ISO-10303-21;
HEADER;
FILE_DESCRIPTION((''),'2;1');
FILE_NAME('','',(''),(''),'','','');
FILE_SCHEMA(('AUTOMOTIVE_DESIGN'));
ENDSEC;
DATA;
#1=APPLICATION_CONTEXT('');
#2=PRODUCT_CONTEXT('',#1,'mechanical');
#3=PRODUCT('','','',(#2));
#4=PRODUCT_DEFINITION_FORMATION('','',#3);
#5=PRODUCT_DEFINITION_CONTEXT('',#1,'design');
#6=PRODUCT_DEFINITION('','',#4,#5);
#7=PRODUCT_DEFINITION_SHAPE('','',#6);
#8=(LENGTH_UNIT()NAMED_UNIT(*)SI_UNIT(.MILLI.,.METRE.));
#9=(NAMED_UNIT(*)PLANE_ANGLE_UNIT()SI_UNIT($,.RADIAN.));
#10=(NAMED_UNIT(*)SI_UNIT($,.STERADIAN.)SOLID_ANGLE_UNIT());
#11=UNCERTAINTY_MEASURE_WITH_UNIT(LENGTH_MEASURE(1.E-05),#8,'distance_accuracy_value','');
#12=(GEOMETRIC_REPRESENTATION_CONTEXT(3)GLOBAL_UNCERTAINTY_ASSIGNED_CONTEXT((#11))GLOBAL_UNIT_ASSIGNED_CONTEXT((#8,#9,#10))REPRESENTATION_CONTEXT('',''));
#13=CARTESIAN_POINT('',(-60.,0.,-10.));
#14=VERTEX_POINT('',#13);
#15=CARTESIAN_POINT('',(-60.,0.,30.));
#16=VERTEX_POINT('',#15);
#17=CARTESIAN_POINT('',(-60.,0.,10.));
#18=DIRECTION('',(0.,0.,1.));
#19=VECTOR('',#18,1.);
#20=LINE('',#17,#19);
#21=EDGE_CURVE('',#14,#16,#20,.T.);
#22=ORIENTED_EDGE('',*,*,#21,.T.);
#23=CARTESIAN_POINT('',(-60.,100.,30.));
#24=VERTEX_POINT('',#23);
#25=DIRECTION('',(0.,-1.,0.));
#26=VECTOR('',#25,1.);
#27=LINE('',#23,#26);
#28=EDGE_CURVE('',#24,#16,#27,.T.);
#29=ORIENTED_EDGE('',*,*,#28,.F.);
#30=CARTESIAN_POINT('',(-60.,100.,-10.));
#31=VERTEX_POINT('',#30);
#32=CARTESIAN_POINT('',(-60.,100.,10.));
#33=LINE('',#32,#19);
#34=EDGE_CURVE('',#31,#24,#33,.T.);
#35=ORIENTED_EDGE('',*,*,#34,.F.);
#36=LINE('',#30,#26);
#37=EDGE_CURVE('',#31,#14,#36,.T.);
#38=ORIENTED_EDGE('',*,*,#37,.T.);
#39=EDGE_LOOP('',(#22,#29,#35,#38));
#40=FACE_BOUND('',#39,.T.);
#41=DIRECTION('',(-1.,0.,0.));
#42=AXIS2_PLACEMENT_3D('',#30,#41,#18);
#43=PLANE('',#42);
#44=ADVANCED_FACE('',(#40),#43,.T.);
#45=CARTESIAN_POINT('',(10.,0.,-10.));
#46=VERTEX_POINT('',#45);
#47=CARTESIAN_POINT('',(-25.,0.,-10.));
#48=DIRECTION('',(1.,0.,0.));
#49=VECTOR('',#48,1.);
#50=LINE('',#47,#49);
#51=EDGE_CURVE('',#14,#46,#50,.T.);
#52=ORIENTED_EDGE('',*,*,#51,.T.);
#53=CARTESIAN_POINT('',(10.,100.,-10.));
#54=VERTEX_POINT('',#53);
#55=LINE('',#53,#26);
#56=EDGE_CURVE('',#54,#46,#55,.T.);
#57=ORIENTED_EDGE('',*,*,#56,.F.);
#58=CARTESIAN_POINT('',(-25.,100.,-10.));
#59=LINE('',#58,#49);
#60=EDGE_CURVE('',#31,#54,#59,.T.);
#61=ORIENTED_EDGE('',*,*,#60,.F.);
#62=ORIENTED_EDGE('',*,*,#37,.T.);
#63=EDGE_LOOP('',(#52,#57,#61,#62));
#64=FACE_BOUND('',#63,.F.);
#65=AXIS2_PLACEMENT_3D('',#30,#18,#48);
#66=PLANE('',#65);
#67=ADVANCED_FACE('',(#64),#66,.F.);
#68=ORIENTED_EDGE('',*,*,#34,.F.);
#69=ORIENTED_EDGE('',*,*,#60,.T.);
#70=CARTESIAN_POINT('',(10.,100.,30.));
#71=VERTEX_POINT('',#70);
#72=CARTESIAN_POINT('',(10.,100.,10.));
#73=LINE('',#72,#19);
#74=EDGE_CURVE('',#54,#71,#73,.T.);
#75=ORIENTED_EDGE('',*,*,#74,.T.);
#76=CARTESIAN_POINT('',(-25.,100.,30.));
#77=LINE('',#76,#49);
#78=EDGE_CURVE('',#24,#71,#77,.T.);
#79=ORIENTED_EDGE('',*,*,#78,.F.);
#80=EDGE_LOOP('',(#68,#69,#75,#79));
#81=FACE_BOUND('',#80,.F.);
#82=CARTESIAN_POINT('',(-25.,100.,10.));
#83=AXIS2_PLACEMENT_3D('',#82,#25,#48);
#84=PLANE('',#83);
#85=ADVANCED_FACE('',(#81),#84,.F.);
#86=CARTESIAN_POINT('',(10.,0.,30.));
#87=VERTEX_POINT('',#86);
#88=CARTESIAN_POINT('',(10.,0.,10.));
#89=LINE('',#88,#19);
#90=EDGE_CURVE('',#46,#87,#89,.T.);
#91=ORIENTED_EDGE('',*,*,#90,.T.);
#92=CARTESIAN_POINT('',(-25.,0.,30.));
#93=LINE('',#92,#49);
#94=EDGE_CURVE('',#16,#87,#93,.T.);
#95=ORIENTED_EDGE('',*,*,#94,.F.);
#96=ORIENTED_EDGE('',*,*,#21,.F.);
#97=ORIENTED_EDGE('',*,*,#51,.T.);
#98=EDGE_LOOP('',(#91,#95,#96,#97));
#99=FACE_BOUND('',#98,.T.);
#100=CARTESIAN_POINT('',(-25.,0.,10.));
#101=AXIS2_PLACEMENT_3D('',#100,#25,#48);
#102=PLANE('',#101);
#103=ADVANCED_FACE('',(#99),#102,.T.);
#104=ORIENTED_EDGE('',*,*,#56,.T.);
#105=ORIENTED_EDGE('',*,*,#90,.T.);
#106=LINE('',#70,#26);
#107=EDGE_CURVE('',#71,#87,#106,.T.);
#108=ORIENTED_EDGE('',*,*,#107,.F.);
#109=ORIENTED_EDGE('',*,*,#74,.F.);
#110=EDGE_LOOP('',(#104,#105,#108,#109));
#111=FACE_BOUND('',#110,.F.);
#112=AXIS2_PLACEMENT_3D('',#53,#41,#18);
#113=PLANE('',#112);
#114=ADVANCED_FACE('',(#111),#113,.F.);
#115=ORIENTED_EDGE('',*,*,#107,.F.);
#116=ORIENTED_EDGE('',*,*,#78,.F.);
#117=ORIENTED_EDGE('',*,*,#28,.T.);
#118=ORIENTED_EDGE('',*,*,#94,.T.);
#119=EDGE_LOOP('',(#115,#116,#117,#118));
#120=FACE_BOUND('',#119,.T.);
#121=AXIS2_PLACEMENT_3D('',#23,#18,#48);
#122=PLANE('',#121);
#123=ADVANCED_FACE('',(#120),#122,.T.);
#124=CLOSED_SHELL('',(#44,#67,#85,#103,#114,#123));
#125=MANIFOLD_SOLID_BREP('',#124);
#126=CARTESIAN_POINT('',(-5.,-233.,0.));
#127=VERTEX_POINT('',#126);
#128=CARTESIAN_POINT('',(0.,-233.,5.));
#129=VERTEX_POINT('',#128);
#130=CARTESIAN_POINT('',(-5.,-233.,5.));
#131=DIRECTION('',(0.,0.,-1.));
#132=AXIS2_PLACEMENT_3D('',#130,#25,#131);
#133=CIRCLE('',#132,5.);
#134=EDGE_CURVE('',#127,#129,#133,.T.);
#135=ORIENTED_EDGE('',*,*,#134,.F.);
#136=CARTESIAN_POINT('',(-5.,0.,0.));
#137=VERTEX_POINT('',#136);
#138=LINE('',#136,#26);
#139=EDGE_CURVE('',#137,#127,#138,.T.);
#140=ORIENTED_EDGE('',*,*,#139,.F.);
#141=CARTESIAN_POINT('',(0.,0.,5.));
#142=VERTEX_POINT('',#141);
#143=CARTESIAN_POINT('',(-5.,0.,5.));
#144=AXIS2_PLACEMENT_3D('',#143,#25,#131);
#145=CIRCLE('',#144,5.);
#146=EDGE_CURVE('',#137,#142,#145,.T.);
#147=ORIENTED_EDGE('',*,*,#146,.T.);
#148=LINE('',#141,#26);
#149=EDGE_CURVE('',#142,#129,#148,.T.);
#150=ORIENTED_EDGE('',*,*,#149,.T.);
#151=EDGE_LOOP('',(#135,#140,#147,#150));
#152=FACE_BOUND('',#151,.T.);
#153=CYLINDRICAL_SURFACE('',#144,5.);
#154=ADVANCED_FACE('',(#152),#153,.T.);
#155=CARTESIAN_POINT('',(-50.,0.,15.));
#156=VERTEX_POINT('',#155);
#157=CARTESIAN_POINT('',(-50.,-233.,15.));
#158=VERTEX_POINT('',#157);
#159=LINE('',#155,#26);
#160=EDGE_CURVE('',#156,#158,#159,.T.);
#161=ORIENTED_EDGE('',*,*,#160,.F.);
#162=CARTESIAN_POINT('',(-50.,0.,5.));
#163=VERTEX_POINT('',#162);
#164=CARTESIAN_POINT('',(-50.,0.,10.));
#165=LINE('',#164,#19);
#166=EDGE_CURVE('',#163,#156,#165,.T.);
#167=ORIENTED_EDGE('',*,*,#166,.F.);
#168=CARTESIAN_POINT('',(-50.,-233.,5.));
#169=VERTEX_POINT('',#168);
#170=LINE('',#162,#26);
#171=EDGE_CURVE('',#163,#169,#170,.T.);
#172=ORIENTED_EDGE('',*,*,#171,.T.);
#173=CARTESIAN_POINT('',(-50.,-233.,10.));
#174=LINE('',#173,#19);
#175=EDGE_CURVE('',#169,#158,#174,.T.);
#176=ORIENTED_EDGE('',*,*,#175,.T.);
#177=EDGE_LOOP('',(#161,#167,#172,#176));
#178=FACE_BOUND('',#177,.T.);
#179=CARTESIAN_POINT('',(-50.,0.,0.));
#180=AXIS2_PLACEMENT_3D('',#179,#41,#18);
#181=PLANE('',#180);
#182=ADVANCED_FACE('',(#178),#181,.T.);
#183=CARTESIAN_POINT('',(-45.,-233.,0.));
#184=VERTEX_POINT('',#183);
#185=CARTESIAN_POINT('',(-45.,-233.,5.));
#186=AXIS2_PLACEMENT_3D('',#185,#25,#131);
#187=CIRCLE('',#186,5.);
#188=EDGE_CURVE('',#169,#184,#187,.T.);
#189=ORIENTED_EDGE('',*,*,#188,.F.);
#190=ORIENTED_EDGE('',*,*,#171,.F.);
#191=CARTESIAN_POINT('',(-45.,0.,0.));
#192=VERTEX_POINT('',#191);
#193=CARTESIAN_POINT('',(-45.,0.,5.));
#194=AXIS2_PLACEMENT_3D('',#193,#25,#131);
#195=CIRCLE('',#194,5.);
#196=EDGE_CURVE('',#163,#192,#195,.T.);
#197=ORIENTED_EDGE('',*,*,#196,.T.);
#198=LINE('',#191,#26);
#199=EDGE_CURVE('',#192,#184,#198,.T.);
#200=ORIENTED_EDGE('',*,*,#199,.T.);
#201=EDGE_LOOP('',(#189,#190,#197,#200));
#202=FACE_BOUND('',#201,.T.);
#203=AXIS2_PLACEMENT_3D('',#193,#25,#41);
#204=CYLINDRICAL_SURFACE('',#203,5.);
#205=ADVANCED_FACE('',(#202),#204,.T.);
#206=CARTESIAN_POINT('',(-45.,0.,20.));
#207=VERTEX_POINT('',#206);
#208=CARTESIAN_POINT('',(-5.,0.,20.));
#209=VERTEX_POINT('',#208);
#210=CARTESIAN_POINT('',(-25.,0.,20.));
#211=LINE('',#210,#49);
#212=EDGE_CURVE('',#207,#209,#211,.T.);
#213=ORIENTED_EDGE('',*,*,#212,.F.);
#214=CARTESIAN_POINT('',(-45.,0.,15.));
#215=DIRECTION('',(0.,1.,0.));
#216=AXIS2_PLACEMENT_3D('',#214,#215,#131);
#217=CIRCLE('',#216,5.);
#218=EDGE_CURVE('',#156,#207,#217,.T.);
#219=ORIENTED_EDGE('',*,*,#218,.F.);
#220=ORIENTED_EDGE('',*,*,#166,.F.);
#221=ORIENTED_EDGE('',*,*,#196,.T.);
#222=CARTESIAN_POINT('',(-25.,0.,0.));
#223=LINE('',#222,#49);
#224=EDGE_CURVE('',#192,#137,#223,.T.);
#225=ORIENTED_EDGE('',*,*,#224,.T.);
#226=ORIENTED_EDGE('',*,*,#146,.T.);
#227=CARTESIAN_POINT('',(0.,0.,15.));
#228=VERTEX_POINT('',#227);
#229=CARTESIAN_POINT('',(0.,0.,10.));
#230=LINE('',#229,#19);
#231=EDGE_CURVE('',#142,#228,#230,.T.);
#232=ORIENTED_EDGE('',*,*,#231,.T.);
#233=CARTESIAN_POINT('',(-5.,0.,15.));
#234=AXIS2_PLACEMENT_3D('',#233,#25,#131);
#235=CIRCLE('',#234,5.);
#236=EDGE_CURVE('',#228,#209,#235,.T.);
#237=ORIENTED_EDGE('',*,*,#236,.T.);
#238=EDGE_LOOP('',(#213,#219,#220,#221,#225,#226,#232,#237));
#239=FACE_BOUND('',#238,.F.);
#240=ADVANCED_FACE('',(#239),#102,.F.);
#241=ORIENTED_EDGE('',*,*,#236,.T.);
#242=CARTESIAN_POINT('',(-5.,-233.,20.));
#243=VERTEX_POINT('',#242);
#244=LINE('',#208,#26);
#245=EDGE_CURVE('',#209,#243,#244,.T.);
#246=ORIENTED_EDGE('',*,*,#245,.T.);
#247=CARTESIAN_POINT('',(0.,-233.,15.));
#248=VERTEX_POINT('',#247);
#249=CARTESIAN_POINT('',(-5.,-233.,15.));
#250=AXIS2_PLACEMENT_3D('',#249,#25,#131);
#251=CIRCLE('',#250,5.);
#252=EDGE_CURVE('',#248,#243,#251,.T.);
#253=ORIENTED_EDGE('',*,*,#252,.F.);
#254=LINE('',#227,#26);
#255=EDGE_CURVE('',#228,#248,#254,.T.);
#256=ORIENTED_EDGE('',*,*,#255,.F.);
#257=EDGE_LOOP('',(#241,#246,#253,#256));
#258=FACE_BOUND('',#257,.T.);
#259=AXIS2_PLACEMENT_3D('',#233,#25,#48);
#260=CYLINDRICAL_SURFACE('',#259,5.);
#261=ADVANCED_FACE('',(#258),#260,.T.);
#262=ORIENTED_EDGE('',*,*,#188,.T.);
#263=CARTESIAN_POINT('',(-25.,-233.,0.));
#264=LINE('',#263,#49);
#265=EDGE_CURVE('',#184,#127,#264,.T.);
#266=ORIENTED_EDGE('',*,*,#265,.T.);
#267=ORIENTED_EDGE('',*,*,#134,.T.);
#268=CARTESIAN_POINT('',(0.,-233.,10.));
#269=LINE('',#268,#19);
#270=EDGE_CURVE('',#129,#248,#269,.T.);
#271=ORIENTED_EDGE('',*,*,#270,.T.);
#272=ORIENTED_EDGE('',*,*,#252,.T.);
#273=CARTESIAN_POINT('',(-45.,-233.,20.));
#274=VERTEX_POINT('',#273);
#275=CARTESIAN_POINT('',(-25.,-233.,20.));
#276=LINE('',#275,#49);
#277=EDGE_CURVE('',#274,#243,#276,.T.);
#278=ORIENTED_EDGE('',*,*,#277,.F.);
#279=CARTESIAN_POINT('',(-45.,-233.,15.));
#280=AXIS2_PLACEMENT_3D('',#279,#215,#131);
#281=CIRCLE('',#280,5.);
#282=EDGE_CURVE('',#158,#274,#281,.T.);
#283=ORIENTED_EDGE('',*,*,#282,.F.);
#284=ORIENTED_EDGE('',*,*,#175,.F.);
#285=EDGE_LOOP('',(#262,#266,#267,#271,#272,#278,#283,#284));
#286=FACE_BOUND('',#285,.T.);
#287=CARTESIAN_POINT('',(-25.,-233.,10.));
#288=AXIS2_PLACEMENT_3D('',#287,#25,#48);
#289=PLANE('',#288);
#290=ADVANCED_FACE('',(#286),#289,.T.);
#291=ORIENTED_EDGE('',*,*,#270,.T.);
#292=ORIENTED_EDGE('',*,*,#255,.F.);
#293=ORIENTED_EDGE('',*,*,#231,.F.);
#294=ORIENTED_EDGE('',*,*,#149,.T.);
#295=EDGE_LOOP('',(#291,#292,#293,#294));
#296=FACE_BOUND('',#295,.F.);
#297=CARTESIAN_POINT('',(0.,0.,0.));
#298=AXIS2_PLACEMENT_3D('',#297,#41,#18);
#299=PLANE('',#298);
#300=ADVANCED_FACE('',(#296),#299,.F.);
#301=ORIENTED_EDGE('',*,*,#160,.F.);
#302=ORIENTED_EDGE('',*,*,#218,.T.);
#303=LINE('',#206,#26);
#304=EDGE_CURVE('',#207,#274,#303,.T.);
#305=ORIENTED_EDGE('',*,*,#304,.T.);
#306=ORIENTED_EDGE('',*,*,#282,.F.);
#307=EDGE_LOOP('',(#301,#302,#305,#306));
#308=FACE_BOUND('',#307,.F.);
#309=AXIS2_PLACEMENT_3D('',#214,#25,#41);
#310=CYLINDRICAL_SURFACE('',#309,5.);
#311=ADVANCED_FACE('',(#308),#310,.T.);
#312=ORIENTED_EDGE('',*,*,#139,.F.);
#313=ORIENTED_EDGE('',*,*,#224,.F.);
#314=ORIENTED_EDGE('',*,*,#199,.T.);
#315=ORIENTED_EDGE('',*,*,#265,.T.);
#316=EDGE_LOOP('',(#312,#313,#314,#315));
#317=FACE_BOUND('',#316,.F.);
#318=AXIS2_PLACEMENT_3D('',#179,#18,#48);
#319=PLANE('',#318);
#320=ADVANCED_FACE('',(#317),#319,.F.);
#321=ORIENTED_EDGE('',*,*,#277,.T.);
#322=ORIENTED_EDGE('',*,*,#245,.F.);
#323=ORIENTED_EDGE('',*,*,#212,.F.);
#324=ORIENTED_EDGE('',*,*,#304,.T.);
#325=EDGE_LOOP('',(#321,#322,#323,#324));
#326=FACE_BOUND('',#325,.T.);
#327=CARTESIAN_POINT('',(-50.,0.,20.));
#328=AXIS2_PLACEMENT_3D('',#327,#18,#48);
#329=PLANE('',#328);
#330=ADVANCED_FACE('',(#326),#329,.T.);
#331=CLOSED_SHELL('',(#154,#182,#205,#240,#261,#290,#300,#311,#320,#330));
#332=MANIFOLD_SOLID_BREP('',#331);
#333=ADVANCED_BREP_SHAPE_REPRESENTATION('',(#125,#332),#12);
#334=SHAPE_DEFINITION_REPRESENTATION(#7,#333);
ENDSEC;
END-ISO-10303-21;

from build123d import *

# Parameters (mm, degrees)
F1_W     = 50
F1_H     = 20
F2_DEPTH = 233
F3_R     = 5
F4_W     = 70
F4_H     = 40
F5_DEPTH = 100


with BuildPart() as f2:
    # F1 (on Front) → F2 (new body)
    with BuildSketch(Plane.XZ):
        with Locations((-25, 10)):
            Rectangle(F1_W, F1_H)
    extrude(amount=F2_DEPTH)

    # F3
    f3_edges = [f2.edges().sort_by_distance(p)[0] for p in [
        (-50, -116.5, 20),
        (0, -116.5, 20),
        (-50, -116.5, 0),
        (0, -116.5, 0),
    ]]
    fillet(f3_edges, radius=F3_R)


with BuildPart() as f5:
    # F4 (on offset) → F5 (new body, through all)
    with BuildSketch(Plane.XZ.offset(-100)):
        with Locations((-25, 10)):
            Rectangle(F4_W, F4_H)
    extrude(amount=F5_DEPTH)


solid = Compound([f2.part, f5.part])
